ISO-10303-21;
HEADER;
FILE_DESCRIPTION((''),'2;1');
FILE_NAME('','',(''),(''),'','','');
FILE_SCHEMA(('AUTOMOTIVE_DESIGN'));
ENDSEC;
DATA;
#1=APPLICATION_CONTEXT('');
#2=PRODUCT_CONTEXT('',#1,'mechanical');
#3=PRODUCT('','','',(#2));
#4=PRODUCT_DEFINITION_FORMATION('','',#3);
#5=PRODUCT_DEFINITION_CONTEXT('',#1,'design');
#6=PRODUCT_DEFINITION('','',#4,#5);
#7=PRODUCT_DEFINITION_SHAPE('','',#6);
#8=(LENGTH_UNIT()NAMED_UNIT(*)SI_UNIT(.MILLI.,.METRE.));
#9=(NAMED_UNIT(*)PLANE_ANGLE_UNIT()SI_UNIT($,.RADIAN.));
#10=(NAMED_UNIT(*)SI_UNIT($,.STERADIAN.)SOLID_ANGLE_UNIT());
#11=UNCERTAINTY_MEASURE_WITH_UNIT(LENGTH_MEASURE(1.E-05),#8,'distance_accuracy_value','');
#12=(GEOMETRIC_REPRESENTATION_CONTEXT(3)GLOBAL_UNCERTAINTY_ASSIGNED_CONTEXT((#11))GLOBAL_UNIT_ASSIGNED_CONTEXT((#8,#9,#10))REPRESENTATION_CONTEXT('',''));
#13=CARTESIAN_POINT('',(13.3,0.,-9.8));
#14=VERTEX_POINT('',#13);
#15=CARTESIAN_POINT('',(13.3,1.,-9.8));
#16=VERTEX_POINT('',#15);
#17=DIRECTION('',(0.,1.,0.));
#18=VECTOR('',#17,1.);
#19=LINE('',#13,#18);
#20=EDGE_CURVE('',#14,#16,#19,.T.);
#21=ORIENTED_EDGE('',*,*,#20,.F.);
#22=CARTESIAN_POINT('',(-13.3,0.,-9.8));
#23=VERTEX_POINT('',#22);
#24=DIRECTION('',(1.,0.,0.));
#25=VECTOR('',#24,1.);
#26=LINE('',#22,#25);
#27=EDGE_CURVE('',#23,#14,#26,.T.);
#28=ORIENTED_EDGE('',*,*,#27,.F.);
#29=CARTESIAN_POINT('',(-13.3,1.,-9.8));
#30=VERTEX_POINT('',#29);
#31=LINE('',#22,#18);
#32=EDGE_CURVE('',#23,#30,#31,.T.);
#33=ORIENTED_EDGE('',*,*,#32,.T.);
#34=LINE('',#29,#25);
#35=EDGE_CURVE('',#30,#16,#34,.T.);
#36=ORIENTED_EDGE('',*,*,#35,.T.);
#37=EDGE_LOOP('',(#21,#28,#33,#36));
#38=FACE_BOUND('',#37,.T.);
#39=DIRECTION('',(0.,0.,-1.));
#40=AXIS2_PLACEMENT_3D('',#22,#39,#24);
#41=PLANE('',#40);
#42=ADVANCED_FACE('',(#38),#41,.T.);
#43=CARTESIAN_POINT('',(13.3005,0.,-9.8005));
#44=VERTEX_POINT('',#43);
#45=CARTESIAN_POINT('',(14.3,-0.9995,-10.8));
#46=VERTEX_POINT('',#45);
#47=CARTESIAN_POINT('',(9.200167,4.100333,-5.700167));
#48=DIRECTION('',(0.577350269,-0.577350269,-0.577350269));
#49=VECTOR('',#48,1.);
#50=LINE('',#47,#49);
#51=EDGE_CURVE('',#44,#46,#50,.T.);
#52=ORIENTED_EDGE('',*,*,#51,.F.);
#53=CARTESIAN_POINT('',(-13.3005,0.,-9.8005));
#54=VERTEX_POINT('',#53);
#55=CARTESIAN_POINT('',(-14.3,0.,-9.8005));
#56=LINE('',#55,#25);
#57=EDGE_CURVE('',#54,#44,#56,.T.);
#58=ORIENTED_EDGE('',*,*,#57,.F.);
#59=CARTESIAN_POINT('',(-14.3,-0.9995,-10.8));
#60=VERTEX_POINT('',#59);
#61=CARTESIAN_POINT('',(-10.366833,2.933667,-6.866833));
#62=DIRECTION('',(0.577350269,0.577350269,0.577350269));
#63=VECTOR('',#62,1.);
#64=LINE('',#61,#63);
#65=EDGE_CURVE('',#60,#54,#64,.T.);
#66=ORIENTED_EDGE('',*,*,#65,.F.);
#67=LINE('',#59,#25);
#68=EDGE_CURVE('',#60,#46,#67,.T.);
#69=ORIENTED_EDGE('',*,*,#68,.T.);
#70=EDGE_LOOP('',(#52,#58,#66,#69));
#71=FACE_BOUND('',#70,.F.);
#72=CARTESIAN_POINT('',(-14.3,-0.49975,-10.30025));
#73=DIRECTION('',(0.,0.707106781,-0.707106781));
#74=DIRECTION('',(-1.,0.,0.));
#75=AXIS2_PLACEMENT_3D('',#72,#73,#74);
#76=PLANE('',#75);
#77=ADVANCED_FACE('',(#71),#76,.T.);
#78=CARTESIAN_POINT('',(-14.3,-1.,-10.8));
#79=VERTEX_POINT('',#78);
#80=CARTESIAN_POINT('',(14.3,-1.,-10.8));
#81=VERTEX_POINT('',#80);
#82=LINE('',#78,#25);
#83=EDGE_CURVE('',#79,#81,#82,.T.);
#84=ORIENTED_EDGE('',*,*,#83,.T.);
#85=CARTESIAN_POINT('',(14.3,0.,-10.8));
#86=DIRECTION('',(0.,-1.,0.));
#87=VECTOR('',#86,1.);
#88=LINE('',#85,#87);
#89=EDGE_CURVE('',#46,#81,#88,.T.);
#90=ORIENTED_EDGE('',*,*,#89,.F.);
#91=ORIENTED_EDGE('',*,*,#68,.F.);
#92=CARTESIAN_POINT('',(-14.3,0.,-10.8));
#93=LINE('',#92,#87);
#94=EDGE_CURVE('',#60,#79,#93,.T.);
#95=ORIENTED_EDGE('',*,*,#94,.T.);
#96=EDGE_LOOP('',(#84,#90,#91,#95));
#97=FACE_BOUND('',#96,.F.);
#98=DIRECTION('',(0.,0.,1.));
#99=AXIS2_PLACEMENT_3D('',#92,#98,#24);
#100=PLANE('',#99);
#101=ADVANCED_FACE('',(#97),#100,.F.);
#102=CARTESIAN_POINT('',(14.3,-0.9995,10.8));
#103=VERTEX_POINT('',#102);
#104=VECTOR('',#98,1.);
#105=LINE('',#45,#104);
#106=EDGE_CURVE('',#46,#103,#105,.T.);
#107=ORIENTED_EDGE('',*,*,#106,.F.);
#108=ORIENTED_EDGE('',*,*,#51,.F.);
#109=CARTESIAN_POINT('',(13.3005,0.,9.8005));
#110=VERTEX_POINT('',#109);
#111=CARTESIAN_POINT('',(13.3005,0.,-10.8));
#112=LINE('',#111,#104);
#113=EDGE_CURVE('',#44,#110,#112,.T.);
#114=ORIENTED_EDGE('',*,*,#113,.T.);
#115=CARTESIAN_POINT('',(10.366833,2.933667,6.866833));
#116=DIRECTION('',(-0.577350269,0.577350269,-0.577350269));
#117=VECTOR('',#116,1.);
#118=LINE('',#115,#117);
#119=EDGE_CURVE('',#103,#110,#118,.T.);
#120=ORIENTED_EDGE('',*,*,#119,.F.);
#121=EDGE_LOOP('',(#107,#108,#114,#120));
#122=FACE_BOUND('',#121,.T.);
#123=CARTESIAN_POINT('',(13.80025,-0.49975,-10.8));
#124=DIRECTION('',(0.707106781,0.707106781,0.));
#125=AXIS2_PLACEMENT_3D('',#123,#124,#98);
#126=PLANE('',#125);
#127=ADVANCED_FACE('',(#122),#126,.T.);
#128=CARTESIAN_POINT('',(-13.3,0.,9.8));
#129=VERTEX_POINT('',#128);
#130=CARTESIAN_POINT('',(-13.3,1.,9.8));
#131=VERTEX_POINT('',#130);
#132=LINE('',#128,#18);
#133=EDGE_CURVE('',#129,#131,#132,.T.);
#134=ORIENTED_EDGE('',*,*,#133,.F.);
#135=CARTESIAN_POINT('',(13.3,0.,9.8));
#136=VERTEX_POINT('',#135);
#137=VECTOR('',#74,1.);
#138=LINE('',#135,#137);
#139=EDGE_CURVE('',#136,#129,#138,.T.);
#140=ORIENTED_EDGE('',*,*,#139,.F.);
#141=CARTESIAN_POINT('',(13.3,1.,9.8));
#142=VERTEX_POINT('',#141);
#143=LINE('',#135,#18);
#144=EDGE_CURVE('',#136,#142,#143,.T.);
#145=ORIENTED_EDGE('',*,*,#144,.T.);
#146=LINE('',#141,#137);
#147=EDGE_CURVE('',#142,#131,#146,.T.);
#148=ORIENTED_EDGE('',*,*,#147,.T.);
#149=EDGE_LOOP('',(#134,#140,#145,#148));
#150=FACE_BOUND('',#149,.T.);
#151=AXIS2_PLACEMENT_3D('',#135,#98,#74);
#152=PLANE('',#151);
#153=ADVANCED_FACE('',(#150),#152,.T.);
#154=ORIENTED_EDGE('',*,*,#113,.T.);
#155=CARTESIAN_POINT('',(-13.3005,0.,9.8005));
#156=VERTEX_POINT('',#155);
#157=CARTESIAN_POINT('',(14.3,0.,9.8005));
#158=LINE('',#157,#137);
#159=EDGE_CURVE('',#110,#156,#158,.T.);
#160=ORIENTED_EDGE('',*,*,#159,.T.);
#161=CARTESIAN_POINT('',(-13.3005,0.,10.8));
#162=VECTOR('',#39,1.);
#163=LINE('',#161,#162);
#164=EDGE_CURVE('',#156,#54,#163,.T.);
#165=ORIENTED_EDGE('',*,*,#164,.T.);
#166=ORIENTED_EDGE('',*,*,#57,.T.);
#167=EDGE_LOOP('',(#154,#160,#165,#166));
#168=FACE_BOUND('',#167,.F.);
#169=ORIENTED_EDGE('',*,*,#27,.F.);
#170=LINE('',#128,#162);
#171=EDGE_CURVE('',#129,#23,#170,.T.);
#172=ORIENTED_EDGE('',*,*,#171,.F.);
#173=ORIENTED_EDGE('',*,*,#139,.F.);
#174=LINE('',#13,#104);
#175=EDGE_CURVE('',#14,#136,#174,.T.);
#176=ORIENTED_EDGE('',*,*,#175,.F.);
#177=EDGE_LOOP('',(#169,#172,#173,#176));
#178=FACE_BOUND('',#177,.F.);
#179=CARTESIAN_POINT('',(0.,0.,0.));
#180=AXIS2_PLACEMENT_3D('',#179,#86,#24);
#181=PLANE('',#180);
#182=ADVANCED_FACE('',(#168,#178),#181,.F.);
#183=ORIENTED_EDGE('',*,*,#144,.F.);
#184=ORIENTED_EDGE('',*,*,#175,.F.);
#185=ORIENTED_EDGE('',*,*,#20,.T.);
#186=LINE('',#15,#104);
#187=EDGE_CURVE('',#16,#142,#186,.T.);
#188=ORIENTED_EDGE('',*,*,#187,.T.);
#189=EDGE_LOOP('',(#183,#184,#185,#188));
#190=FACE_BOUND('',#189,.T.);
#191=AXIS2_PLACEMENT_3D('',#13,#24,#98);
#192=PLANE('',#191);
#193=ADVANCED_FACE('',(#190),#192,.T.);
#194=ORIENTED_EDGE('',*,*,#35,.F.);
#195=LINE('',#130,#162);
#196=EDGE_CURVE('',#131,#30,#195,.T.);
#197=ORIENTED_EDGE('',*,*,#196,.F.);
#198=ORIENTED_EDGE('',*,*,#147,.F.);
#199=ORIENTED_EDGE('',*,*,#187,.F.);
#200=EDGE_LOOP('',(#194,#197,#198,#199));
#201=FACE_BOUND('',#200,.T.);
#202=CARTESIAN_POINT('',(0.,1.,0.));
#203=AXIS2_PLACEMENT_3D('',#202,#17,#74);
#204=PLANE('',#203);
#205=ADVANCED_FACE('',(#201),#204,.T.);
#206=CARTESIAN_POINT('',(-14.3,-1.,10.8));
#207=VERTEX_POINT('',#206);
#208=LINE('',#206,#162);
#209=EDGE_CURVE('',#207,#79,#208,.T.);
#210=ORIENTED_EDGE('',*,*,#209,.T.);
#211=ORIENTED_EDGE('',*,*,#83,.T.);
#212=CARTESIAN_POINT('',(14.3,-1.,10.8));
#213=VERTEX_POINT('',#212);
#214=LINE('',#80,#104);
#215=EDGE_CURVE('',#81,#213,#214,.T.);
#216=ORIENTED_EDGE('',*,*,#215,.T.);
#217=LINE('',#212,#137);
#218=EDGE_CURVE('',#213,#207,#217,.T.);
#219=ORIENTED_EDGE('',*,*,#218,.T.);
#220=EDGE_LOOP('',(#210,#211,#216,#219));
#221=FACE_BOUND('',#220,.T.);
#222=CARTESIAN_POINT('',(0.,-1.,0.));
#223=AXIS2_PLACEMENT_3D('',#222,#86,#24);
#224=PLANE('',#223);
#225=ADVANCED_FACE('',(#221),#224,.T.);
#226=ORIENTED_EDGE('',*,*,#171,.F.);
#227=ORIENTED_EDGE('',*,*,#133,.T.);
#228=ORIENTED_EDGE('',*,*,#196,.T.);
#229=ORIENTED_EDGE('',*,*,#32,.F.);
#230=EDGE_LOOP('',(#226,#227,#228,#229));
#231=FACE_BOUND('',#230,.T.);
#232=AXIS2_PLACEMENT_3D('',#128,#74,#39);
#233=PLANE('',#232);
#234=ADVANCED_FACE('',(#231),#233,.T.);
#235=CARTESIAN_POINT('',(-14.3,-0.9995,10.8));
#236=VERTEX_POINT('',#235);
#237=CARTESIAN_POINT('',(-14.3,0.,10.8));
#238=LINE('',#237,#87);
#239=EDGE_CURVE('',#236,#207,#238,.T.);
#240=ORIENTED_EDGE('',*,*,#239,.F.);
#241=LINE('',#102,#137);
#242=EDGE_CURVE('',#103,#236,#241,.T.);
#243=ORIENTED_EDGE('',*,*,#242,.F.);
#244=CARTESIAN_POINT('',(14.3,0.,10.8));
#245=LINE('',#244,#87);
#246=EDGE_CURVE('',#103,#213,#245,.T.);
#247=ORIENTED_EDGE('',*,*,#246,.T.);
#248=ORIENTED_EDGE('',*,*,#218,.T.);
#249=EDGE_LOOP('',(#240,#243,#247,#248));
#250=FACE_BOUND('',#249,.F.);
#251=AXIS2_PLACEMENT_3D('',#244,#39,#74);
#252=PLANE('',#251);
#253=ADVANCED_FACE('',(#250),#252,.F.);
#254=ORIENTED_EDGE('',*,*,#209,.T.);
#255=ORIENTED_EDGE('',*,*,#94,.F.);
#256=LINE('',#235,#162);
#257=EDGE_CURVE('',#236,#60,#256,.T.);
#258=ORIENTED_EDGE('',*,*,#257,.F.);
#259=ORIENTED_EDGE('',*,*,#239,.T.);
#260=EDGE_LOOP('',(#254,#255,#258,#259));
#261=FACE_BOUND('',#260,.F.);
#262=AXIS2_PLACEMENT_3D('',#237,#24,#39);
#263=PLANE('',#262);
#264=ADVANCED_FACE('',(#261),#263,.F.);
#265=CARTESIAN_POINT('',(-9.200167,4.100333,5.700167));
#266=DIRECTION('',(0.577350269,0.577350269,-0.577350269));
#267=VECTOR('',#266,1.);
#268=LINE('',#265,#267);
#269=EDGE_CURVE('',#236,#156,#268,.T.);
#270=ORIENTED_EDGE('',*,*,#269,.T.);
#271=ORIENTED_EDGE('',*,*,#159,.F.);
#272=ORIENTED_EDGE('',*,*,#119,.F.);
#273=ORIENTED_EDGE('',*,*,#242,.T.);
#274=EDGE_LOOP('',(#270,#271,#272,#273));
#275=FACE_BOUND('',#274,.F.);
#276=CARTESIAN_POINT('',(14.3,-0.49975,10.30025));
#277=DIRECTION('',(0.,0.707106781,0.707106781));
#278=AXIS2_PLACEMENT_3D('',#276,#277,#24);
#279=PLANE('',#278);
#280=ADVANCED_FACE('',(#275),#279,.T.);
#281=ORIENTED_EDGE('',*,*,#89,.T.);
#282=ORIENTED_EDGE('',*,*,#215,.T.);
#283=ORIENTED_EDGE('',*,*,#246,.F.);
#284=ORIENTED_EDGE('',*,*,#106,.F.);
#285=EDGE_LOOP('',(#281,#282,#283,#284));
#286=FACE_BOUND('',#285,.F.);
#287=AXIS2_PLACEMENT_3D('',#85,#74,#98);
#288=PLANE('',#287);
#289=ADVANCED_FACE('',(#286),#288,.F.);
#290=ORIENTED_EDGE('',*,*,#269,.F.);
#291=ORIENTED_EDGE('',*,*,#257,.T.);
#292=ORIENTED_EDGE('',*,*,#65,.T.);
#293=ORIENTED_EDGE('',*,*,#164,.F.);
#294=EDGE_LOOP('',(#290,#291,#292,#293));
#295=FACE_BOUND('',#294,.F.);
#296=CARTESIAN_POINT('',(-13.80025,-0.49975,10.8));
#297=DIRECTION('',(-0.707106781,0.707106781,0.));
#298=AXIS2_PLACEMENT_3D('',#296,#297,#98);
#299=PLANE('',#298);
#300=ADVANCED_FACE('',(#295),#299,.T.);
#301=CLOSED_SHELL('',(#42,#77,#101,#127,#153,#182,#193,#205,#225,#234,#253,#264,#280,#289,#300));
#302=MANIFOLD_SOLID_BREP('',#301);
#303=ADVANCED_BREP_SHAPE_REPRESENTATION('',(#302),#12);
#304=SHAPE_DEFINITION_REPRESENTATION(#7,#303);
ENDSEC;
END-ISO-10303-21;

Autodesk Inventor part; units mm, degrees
ref_plane "YZ Plane" through (0, 0, 0) normal (1, 0, 0) x (0, 1, 0)
ref_plane "XZ Plane" through (0, 0, 0) normal (0, 1, 0) x (-1, 0, 0)
ref_plane "XY Plane" through (0, 0, 0) normal (0, 0, 1) x (1, 0, 0)
sketch "Sketch1" plane through (0, 0, 0) normal (0, 1, 0) x (-1, 0, 0)
  line L0 (-13.3, 9.8) -> (13.3, 9.8)
  line L1 (13.3, 9.8) -> (13.3, -9.8)
  line L2 (13.3, -9.8) -> (-13.3, -9.8)
  line L3 (-13.3, -9.8) -> (-13.3, 9.8)
  line L4 (-13.3, 9.8) -> (13.3, -9.8) construction
  line L5 (13.3, 9.8) -> (-13.3, -9.8) construction
  point P0 (0, 0)
  dimension "d0" = 26.6
  dimension "d1" = 19.6
extrude "Extrusion1" add sketch "Sketch1" along normal blind 1
sketch "Sketch2" plane through (0, 0, 0) normal (0, -1, 0) x (1, 0, 0)
  line L0 (13.3, 9.8) -> (-13.3, 9.8) projected
  line L1 (13.3, -9.8) -> (13.3, 9.8) projected
  line L2 (-14.3, -10.8) -> (14.3, -10.8)
  line L3 (14.3, -10.8) -> (14.3, 10.8)
  line L4 (14.3, 10.8) -> (-14.3, 10.8)
  line L5 (-14.3, 10.8) -> (-14.3, -10.8)
  line L6 (-14.3, -10.8) -> (14.3, 10.8) construction
  line L7 (14.3, -10.8) -> (-14.3, 10.8) construction
  point P0 (0, 0)
  dimension "d4" = 1
  dimension "d5" = 1
extrude "Extrusion2" add sketch "Sketch2" along normal blind 1
chamfer "Chamfer1" distance 1 angle 45 4 edges at (0, 0, 10.8) (-14.3, 0, 0) (14.3, 0, 0) (0, 0, -10.8)
properties part number "wysw trans"
